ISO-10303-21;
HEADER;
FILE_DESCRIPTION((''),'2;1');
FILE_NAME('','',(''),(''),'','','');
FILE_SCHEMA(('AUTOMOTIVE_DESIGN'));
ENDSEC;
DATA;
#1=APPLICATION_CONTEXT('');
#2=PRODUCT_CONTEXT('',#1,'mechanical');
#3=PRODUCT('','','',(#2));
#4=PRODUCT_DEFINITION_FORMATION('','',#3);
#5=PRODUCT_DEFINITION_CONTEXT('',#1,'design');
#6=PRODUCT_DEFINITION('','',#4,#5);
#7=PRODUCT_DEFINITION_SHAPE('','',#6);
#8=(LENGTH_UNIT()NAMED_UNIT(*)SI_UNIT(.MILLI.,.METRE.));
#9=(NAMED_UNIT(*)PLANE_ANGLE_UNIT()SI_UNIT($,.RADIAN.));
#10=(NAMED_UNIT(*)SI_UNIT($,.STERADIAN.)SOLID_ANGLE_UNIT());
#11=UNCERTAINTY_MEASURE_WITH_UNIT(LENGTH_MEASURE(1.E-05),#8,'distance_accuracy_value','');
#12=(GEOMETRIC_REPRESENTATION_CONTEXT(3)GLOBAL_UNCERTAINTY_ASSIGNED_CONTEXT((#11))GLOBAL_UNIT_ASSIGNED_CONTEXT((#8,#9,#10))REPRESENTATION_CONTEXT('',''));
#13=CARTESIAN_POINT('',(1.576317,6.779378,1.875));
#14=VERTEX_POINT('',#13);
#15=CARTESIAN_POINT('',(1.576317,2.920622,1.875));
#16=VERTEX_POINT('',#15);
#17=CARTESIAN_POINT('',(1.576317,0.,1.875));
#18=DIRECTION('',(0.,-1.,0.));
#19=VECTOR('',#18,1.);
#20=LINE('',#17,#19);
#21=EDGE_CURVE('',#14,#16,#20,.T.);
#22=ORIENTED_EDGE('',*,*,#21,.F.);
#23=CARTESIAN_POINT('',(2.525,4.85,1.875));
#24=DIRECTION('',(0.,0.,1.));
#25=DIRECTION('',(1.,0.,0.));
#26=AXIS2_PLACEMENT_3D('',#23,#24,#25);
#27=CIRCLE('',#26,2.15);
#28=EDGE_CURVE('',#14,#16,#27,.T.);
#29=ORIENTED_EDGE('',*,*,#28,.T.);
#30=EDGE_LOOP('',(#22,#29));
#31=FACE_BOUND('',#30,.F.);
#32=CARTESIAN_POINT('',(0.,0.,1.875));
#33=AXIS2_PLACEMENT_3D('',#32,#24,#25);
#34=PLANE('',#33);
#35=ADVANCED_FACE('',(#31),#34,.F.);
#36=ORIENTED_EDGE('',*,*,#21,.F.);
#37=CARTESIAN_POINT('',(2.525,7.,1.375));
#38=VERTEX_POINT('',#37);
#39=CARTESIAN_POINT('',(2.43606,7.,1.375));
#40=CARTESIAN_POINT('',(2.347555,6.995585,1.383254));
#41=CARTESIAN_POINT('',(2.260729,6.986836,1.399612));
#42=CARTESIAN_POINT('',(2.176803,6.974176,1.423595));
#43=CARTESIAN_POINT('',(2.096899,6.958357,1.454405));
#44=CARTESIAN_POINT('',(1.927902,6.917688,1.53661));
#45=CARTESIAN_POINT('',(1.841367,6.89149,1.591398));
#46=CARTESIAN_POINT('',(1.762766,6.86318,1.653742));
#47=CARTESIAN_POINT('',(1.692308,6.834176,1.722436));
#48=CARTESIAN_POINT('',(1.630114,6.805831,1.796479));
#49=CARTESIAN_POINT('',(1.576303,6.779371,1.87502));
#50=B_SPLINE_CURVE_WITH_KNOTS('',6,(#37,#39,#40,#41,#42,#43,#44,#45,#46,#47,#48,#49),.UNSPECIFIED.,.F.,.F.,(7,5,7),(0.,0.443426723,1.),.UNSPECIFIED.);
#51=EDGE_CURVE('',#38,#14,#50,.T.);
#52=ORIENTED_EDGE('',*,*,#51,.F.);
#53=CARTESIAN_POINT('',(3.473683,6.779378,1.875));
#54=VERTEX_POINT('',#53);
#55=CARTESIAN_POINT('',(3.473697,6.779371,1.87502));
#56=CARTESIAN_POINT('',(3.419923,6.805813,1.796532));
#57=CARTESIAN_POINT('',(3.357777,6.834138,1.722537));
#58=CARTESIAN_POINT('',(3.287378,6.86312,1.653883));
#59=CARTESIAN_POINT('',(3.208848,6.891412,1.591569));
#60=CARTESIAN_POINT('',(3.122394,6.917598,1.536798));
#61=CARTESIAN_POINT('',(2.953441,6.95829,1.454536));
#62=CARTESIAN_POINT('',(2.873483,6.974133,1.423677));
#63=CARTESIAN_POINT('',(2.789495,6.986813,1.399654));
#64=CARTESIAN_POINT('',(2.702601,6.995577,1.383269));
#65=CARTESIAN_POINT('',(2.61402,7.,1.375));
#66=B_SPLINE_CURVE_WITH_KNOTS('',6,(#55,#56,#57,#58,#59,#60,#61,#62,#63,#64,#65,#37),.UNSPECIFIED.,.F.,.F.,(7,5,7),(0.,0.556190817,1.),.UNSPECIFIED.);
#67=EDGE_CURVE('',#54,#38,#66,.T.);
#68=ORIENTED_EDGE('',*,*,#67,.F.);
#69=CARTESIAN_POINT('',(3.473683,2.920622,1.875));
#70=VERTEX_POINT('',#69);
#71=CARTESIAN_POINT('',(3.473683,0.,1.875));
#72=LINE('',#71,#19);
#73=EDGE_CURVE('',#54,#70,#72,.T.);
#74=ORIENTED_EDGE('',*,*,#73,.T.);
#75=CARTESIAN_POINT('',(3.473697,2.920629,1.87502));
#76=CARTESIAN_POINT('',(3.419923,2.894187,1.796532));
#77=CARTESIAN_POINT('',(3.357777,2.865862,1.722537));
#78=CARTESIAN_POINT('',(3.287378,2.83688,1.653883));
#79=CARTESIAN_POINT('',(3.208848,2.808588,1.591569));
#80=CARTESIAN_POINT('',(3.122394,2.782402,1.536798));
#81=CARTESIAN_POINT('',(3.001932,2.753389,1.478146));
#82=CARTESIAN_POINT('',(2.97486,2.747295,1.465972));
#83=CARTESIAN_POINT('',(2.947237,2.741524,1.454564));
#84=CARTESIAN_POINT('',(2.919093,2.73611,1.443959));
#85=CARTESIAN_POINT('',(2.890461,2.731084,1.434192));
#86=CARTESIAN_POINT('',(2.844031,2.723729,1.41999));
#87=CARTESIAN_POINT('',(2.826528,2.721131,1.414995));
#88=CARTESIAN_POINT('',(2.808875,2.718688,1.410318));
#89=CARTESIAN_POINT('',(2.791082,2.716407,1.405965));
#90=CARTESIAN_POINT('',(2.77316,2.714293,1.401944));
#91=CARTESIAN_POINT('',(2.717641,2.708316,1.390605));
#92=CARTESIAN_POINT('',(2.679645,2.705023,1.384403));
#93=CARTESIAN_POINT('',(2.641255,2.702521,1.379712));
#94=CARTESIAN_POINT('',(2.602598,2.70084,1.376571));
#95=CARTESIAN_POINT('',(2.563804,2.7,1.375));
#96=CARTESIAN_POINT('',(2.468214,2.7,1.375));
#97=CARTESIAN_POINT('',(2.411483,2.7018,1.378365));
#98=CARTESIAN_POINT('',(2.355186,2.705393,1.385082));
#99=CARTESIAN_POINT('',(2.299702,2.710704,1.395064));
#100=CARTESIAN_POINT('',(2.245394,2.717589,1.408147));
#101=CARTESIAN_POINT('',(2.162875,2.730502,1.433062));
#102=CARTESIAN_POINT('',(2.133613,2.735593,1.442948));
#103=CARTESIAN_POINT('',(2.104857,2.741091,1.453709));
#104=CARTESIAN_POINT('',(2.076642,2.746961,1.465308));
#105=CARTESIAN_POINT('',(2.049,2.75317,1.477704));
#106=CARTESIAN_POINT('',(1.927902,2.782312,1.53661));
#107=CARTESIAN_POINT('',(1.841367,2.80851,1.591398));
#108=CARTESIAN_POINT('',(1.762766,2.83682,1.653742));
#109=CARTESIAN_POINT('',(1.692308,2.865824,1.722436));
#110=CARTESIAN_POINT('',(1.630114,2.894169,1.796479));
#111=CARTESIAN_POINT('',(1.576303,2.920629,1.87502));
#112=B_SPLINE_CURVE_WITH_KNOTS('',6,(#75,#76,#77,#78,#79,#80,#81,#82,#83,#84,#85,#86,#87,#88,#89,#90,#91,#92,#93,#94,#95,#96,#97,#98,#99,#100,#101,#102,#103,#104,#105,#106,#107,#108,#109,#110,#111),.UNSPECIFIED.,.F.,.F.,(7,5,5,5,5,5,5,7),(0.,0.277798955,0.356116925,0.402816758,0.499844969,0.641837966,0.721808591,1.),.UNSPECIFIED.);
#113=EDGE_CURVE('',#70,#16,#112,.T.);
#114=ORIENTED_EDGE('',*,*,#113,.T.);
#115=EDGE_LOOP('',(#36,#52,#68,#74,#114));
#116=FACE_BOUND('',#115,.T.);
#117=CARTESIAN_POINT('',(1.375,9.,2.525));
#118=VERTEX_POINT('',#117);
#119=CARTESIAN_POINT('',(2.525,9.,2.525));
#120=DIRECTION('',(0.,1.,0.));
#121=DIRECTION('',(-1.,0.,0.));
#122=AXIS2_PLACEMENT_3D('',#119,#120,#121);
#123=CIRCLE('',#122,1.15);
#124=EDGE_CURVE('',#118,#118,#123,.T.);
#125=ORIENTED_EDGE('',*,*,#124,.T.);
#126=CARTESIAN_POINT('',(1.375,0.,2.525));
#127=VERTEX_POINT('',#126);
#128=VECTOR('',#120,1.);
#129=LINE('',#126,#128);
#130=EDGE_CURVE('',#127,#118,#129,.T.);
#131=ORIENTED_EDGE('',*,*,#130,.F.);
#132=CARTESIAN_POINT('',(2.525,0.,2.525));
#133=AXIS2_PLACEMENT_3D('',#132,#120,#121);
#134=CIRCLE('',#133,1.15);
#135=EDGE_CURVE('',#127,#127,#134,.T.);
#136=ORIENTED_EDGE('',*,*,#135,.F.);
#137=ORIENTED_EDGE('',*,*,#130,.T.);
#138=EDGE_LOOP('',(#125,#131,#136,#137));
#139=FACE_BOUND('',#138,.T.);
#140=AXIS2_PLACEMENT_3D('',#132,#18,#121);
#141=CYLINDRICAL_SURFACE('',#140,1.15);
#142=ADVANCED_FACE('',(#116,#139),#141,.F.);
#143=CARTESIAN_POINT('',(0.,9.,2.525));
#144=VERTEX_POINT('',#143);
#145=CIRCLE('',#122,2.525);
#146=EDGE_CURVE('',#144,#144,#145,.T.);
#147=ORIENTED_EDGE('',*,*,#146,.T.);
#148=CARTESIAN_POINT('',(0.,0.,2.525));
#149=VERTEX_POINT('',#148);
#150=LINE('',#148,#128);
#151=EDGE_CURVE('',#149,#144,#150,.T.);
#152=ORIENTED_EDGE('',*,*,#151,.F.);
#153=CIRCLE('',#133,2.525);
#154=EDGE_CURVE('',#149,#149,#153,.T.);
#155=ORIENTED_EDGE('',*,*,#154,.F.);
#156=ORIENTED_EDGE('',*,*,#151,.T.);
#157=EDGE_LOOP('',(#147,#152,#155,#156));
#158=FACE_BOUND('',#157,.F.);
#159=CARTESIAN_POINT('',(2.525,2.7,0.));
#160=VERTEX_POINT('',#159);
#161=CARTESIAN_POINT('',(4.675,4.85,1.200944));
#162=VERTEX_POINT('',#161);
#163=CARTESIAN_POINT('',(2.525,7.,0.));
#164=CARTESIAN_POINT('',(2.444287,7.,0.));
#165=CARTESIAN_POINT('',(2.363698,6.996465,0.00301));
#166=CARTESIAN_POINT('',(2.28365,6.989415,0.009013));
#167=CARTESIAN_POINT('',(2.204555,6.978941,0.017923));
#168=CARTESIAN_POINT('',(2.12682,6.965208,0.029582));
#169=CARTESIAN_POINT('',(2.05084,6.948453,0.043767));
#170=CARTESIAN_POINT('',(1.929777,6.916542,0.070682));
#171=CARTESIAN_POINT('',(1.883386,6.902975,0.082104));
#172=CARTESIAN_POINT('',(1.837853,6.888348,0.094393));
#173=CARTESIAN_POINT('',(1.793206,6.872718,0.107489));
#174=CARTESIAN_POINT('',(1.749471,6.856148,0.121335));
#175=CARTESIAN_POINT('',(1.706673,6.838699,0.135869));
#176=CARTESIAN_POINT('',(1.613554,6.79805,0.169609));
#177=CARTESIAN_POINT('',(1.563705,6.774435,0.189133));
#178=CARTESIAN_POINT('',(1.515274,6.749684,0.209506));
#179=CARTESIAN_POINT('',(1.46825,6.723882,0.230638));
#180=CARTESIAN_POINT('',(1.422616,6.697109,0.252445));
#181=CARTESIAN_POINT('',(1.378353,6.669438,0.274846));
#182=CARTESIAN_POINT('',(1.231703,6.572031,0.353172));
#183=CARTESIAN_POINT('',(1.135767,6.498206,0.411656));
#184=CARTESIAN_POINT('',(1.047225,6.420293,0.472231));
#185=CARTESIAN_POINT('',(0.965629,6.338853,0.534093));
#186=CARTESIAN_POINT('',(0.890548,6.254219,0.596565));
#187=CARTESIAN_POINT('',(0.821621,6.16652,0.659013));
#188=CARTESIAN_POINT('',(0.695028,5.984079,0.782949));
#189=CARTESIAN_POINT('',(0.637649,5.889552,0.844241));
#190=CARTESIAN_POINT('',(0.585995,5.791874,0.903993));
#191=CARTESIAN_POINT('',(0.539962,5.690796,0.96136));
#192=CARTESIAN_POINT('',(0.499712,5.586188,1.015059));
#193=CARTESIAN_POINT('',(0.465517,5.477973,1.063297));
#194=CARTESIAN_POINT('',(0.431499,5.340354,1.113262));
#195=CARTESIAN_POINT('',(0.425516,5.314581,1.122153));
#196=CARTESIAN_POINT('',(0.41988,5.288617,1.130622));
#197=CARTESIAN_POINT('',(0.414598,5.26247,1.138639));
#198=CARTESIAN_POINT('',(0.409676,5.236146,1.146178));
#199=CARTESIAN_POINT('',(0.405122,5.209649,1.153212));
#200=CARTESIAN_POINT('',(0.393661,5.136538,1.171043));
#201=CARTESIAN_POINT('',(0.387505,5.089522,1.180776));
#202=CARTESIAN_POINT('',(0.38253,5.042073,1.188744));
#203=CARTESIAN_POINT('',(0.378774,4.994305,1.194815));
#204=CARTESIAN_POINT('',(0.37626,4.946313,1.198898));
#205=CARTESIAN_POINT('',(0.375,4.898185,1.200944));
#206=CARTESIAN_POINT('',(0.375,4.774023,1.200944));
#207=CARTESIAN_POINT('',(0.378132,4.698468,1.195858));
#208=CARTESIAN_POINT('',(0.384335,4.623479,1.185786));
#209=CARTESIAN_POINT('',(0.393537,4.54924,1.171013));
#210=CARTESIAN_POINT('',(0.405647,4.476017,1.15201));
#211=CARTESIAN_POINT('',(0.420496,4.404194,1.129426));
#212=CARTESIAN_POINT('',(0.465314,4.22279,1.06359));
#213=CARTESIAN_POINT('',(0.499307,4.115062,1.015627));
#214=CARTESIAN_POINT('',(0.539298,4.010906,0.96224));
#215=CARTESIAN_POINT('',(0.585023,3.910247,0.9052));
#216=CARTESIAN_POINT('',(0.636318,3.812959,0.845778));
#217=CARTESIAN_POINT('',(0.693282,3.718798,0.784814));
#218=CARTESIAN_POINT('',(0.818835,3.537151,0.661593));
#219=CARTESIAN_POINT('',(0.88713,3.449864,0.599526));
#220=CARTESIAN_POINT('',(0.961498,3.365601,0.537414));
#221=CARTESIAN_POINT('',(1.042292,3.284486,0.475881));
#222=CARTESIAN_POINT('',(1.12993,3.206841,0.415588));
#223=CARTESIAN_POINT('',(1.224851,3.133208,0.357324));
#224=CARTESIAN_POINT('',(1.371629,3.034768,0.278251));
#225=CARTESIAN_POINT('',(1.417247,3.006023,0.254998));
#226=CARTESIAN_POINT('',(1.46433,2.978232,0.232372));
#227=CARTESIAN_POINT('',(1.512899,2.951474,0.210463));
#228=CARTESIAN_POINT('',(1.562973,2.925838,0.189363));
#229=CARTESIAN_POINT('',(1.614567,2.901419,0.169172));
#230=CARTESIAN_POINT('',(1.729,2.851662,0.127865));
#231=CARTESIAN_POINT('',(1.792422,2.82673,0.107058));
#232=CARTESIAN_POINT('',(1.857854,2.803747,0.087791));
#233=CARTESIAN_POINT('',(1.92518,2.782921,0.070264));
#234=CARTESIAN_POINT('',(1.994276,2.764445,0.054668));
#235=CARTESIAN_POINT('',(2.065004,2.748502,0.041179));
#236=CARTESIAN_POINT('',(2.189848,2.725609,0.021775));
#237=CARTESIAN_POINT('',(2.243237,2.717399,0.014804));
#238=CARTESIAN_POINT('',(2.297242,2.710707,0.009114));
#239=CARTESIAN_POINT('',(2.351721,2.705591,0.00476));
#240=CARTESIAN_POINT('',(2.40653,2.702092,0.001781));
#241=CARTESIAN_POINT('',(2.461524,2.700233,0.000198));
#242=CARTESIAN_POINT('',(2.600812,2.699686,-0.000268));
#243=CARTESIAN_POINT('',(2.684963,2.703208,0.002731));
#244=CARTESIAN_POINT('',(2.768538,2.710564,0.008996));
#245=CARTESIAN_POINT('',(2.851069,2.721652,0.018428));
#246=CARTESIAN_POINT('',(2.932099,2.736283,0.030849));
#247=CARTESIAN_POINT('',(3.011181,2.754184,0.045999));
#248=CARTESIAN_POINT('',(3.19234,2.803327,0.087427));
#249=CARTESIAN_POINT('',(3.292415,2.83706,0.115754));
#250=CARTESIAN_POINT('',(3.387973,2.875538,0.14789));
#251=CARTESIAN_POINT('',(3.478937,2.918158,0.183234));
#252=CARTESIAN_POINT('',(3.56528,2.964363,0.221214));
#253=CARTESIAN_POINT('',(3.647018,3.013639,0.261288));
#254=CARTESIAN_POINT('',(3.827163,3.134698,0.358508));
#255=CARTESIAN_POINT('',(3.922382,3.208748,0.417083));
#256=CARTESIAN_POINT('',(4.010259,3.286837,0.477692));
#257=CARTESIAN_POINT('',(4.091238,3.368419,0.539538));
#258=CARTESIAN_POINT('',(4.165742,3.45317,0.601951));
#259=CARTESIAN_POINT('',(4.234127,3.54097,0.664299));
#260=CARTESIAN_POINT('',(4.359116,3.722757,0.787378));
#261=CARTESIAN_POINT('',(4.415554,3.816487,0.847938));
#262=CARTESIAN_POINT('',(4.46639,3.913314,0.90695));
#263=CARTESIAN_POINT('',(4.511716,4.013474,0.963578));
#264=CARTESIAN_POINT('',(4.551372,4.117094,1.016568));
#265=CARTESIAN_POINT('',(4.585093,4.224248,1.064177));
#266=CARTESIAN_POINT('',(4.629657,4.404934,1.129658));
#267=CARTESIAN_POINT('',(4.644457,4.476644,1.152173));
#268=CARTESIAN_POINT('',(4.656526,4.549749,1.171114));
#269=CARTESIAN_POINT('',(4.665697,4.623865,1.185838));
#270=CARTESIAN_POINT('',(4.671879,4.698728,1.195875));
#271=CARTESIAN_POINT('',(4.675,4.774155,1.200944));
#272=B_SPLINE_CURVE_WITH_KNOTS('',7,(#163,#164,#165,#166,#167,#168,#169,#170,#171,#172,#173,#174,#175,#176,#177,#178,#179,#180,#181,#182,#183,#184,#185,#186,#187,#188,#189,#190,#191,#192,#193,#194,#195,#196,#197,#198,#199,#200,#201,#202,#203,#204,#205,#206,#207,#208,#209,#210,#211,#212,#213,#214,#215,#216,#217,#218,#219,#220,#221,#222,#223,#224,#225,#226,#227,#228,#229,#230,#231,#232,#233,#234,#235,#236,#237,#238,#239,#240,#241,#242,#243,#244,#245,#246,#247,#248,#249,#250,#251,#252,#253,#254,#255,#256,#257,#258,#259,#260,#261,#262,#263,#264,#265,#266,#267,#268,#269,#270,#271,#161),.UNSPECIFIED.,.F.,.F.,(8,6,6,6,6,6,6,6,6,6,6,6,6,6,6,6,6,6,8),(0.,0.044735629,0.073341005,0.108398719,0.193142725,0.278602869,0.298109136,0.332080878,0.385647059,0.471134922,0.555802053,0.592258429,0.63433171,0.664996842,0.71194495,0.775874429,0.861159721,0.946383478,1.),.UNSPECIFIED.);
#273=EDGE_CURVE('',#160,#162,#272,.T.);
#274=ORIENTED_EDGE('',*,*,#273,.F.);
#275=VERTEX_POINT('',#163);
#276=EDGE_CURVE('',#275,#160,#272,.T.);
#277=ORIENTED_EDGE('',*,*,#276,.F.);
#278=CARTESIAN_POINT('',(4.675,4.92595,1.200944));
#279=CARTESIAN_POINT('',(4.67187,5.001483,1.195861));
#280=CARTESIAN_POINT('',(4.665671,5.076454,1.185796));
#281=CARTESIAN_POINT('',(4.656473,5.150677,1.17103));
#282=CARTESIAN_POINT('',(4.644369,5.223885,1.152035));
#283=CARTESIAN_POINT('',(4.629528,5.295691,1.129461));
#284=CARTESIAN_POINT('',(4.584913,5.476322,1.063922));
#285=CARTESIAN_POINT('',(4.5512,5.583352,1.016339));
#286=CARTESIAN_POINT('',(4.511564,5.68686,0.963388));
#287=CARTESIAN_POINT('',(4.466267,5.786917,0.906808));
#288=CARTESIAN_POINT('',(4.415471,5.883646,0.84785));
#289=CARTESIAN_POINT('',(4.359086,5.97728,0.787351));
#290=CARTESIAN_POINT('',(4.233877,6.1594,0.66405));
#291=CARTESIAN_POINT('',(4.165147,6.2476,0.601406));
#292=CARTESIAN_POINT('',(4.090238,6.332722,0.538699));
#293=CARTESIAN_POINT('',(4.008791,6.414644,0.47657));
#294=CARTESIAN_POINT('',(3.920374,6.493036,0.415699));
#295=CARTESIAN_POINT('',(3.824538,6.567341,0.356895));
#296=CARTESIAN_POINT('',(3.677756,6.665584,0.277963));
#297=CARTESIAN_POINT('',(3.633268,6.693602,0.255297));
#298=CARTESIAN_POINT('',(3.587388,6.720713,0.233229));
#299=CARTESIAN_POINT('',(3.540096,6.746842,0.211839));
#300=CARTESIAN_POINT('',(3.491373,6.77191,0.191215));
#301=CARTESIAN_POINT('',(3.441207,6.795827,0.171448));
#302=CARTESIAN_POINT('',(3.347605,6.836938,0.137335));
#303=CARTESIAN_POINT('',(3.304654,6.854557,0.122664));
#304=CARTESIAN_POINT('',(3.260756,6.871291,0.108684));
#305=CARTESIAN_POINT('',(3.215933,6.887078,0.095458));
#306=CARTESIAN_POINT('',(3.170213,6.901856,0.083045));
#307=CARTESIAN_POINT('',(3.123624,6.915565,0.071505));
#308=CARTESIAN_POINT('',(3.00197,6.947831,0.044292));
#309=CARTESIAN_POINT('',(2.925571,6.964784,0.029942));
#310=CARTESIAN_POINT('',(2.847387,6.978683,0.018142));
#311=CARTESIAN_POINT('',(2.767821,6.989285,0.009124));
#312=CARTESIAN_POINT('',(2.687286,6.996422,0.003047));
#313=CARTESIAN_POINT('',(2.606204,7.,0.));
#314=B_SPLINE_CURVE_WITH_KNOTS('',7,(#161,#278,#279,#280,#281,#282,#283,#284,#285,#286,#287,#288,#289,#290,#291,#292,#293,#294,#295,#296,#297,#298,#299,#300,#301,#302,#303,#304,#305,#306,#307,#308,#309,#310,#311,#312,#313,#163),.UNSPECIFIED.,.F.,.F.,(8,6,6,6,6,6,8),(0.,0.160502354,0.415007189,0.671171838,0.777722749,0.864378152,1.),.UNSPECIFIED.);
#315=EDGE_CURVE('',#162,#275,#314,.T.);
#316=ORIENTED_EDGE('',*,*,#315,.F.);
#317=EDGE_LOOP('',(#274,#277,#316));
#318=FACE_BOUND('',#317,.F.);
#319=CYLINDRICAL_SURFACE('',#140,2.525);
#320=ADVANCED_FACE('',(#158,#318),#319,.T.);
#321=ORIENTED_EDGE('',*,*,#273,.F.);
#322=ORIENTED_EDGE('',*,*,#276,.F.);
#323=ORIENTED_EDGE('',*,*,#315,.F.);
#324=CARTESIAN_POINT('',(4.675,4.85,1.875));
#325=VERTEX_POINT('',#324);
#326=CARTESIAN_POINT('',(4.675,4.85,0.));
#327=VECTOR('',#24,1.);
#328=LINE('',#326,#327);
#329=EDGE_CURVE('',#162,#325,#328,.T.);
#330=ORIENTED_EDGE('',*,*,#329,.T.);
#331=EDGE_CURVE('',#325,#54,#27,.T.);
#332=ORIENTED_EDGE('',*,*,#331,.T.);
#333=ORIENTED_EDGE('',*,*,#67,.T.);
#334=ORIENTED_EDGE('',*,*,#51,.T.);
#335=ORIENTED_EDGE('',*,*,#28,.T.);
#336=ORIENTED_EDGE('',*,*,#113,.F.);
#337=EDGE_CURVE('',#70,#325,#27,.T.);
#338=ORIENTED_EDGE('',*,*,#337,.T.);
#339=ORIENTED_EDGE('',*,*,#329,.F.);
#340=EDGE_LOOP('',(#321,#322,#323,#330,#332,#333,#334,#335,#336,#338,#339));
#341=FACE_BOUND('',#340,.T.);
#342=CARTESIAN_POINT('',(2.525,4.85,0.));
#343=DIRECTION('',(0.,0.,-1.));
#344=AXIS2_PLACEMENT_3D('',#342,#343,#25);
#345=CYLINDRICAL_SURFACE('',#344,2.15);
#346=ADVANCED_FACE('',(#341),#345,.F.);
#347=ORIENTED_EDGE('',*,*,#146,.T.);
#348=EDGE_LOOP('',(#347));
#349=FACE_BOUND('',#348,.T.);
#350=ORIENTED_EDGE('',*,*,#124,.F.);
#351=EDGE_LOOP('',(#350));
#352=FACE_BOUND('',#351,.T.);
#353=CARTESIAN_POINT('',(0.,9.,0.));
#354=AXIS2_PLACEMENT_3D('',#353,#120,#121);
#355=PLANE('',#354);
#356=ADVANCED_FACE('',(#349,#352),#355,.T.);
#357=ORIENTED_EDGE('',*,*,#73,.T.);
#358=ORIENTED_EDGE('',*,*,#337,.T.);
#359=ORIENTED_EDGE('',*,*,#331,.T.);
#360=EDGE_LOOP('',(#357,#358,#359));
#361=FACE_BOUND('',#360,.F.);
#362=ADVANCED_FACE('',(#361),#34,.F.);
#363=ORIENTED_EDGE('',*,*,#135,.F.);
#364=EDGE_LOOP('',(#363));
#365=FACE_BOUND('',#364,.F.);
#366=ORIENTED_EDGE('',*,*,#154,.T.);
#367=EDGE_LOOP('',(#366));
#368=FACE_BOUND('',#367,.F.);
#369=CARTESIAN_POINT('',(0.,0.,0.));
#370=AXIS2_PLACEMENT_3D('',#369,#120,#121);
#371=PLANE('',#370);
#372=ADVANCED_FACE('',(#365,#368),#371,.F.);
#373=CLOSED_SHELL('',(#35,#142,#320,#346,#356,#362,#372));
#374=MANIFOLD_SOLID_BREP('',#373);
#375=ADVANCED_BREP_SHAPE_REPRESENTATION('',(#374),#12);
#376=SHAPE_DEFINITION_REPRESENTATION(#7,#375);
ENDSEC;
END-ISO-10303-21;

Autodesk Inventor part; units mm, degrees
ref_plane "YZ Plane" through (0, 0, 0) normal (1, 0, 0) x (0, 1, 0)
ref_plane "XZ Plane" through (0, 0, 0) normal (0, 1, 0) x (-1, 0, 0)
sketch "Sketch1" plane through (0, 0, 0) normal (0, 1, 0) x (-1, 0, 0)
  circle A0 centre (-2.525, 2.525) radius 1.15
  circle A1 centre (-2.525, 2.525) radius 2.525
  line L0 (0, 0) -> (-7.3028, 0) construction
  line L1 (0, 0) -> (0, 4.3038) construction
  dimension "d0" = 2.3
  dimension "d1" = 5.05
extrude "Extrusion1" add sketch "Sketch1" along normal blind 9
ref_plane "Work Plane1" through (2.525, 0, 1.375) normal (0, 0, 1) x (1, 0, 0)
ref_plane "screwMaxDist" through (2.525, 0, 1.875) normal (0, 0, 1) x (1, 0, 0)
sketch "Sketch2" plane through (0, 0, 0) normal (0, 0, 1) x (1, 0, 0)
  line L0 (5.05, 9) -> (0, 9) projected
  circle A0 centre (2.525, 4.85) radius 2.15
  line L1 (5.05, 9) -> (0, 9) projected
  line L2 (5.05, 0) -> (0, 0) projected
  line L3 (0, 0) -> (0, 9) projected
  line L4 (0, 7) -> (5.05, 7)
  line L5 (5.05, 0) -> (5.05, 9) projected
  dimension "d5" = 4.3
  dimension "d15" = 2
  dimension "d16" = 2.525
  dimension "d17" = 2.525
extrude "Extrusion2" cut sketch "Sketch2" along normal up to surface (1.875 mm away) contours A0
equation "\"d16\" = d17"
properties part number "motor_shaft_adapter" material "ABS Plastic"
